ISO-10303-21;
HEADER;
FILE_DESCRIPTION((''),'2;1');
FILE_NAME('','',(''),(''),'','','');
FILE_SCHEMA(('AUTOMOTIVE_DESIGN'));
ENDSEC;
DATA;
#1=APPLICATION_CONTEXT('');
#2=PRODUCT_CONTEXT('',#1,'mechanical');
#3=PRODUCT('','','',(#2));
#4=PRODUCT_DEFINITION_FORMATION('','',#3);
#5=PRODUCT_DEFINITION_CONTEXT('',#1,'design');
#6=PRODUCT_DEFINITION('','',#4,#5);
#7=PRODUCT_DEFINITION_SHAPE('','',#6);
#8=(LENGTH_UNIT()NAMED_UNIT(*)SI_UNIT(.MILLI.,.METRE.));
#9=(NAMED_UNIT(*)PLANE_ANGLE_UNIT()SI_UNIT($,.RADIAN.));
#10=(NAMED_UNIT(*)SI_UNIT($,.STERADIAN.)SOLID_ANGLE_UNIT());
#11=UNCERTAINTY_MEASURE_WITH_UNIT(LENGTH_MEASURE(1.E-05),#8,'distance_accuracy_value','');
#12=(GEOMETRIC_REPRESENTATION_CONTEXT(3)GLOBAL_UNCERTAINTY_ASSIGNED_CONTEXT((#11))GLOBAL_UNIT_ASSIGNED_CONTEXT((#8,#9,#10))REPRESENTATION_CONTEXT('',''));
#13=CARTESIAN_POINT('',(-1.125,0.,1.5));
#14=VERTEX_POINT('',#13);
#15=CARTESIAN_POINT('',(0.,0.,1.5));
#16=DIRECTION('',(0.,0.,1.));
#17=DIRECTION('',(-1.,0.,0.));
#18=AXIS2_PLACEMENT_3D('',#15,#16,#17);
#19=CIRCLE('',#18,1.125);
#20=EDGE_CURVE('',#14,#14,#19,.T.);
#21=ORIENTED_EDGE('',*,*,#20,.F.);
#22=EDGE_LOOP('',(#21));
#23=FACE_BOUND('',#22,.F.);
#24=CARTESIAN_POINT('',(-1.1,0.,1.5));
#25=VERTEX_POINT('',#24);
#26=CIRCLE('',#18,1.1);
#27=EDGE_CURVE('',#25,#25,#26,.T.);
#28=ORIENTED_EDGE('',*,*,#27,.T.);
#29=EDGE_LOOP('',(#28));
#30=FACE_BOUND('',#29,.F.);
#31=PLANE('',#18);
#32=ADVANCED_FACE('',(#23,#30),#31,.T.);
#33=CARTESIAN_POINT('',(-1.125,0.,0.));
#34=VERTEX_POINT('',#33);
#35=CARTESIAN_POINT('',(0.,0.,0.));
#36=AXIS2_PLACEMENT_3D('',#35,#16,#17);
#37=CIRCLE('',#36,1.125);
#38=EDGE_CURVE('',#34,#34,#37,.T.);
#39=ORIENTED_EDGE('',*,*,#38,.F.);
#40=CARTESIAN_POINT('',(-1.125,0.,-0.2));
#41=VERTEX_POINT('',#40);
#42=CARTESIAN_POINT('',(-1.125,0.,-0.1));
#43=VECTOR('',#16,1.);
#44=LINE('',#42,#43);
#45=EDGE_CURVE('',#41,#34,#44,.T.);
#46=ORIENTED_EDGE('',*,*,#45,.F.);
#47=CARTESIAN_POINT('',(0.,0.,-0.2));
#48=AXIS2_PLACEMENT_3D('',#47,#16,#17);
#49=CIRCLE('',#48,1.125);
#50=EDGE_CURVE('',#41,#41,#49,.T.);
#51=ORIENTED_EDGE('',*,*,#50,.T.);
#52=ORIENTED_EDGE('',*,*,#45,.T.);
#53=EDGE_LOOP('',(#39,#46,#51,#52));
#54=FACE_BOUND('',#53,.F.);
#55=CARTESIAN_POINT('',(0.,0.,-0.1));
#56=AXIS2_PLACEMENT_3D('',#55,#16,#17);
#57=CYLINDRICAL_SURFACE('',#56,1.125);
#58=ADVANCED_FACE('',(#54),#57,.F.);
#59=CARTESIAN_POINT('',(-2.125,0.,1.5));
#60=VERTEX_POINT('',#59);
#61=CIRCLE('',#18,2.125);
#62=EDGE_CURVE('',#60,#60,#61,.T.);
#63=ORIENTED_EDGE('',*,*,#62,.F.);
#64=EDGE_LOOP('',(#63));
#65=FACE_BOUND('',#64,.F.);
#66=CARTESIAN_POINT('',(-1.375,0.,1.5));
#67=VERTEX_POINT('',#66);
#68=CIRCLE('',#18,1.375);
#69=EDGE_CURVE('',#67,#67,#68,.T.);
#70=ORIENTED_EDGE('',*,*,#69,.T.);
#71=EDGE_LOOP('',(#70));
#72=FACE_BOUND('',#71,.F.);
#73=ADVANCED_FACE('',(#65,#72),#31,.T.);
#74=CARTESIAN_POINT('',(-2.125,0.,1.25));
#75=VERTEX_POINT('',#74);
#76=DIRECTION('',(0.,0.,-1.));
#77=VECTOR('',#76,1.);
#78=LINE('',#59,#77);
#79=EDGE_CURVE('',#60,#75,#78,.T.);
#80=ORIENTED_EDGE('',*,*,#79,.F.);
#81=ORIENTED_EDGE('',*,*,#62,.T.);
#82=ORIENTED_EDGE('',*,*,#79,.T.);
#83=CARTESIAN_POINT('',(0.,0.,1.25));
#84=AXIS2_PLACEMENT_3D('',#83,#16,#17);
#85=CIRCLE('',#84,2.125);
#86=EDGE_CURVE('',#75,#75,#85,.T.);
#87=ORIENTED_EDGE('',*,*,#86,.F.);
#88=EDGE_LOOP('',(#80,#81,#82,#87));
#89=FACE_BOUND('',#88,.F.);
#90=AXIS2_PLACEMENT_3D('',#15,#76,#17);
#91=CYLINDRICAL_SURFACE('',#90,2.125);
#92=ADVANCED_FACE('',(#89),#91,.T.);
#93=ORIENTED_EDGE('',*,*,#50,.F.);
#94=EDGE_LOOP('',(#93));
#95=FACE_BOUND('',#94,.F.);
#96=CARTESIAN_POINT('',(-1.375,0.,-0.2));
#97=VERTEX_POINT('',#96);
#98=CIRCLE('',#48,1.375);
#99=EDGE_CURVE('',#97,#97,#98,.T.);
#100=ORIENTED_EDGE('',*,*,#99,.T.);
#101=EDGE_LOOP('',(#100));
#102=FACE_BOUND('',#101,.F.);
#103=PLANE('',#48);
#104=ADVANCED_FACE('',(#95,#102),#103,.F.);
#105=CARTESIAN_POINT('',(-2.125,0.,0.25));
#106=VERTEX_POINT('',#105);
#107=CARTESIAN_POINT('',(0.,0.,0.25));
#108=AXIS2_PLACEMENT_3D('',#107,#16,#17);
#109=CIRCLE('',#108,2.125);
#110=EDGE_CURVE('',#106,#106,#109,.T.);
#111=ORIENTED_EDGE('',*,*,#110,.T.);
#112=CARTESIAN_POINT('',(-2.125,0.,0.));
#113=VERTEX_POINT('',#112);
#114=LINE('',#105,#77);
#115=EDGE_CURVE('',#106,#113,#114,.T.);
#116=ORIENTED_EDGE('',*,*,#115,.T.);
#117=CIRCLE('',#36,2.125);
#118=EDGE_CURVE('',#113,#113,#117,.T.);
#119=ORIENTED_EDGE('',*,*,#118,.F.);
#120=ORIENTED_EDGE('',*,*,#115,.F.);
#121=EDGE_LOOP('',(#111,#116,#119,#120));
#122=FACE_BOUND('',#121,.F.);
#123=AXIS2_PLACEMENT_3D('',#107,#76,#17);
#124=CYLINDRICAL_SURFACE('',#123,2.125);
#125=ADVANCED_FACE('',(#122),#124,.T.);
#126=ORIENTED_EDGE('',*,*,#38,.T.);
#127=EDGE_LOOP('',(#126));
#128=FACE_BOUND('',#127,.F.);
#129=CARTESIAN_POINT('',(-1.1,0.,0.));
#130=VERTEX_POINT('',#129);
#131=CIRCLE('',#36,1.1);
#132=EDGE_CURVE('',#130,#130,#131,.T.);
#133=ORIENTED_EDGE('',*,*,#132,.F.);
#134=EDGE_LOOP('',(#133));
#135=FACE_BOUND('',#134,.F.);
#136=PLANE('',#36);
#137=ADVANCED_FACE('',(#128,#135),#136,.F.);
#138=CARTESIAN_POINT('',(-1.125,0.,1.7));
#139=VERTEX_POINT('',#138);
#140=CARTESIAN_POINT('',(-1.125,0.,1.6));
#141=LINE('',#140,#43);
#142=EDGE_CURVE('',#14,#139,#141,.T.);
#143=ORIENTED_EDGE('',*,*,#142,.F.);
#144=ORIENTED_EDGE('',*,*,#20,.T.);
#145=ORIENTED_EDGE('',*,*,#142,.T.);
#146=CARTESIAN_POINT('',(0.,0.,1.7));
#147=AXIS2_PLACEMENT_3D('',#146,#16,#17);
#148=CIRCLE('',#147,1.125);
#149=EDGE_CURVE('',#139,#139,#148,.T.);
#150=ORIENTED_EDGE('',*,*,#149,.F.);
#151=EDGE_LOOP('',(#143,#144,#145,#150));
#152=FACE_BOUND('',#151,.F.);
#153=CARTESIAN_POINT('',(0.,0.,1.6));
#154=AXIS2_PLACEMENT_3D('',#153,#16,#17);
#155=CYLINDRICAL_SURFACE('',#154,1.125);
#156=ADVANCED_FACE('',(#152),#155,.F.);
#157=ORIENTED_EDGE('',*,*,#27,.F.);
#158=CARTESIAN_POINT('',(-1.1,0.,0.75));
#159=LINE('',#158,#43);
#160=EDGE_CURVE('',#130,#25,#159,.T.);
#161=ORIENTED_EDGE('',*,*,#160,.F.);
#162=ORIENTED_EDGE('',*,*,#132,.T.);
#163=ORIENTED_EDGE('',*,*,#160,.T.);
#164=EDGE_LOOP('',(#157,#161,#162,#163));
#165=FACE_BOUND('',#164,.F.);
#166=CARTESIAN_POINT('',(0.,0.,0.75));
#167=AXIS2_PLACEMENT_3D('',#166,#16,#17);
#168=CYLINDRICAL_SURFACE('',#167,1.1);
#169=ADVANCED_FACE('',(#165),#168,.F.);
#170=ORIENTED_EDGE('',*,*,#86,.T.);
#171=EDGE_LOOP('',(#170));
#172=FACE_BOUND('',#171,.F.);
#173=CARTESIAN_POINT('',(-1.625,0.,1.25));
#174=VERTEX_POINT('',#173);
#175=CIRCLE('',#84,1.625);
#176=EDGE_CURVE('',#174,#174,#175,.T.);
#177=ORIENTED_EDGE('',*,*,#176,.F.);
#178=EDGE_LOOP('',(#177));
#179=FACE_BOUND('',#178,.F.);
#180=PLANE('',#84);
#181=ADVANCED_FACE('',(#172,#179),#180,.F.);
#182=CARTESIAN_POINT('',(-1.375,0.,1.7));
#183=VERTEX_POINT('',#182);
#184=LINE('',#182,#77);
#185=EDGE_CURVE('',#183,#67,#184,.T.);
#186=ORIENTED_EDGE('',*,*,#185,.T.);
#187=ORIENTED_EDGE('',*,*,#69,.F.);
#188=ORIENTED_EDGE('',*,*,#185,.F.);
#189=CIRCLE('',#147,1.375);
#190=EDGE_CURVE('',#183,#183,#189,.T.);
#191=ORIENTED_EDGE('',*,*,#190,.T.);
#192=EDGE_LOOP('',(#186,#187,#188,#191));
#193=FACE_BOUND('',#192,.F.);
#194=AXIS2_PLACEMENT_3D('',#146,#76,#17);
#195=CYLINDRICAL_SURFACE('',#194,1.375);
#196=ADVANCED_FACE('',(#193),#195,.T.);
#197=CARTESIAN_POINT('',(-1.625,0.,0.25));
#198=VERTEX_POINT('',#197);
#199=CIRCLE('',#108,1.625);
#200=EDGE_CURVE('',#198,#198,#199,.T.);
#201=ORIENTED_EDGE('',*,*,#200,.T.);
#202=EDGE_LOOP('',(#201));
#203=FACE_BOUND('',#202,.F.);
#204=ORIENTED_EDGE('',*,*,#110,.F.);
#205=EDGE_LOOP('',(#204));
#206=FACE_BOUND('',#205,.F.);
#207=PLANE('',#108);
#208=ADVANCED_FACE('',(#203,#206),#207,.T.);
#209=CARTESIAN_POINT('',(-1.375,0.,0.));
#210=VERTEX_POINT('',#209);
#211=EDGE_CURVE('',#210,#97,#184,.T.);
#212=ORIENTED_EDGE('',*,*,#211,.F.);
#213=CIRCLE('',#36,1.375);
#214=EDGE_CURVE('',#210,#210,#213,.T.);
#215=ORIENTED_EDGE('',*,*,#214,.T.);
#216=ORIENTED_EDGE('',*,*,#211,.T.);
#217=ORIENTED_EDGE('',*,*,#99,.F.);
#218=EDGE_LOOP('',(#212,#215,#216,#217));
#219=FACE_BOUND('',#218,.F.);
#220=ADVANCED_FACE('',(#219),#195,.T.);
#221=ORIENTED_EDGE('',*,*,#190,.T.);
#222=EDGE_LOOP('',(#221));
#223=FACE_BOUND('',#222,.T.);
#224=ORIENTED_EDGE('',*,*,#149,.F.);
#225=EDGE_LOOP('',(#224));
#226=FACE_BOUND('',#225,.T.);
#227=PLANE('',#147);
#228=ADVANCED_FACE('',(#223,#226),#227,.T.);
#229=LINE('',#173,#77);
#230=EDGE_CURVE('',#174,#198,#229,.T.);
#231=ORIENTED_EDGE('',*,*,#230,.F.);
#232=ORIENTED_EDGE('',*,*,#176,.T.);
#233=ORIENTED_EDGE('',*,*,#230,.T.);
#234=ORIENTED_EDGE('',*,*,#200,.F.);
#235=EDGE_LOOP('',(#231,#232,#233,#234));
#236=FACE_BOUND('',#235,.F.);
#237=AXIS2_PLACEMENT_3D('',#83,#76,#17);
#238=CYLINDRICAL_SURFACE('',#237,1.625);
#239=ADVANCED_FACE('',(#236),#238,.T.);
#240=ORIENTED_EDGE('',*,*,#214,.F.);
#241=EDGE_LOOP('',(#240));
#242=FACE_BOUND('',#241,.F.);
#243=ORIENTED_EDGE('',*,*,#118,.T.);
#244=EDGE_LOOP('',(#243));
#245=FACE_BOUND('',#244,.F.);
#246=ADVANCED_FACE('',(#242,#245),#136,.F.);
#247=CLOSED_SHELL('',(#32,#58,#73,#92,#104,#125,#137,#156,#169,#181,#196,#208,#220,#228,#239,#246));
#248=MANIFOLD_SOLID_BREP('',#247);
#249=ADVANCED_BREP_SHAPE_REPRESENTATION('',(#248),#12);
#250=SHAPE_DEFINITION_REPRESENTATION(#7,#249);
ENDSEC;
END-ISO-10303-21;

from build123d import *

# Parameters (mm, degrees)
F0_W   = 0.025
F0_H   = 1.5
F0_W_2 = 0.25
F0_H_2 = 0.2


with BuildPart() as f1:
    # F0 (on Front) → F1 (revolve)
    with BuildSketch(Plane.XZ):
        with Locations((-1.1125, 0.75)):
            Rectangle(F0_W, F0_H)
        with Locations((-1.25, 0.75)):
            Rectangle(F0_W_2, F0_H)
        with Locations((-1.25, 1.6)):
            Rectangle(F0_W_2, F0_H_2)
        with Locations((-1.25, -0.1)):
            Rectangle(F0_W_2, F0_H_2)
        Polygon((-2.125, 0), (-1.375, 0), (-1.375, 1.5), (-2.125, 1.5), (-2.125, 1.25), (-1.625, 1.25), (-1.625, 0.25), (-2.125, 0.25), align=None)
    revolve(axis=Axis((0, 0, 0.75), (0, 0, 1)))


solid = f1.part
